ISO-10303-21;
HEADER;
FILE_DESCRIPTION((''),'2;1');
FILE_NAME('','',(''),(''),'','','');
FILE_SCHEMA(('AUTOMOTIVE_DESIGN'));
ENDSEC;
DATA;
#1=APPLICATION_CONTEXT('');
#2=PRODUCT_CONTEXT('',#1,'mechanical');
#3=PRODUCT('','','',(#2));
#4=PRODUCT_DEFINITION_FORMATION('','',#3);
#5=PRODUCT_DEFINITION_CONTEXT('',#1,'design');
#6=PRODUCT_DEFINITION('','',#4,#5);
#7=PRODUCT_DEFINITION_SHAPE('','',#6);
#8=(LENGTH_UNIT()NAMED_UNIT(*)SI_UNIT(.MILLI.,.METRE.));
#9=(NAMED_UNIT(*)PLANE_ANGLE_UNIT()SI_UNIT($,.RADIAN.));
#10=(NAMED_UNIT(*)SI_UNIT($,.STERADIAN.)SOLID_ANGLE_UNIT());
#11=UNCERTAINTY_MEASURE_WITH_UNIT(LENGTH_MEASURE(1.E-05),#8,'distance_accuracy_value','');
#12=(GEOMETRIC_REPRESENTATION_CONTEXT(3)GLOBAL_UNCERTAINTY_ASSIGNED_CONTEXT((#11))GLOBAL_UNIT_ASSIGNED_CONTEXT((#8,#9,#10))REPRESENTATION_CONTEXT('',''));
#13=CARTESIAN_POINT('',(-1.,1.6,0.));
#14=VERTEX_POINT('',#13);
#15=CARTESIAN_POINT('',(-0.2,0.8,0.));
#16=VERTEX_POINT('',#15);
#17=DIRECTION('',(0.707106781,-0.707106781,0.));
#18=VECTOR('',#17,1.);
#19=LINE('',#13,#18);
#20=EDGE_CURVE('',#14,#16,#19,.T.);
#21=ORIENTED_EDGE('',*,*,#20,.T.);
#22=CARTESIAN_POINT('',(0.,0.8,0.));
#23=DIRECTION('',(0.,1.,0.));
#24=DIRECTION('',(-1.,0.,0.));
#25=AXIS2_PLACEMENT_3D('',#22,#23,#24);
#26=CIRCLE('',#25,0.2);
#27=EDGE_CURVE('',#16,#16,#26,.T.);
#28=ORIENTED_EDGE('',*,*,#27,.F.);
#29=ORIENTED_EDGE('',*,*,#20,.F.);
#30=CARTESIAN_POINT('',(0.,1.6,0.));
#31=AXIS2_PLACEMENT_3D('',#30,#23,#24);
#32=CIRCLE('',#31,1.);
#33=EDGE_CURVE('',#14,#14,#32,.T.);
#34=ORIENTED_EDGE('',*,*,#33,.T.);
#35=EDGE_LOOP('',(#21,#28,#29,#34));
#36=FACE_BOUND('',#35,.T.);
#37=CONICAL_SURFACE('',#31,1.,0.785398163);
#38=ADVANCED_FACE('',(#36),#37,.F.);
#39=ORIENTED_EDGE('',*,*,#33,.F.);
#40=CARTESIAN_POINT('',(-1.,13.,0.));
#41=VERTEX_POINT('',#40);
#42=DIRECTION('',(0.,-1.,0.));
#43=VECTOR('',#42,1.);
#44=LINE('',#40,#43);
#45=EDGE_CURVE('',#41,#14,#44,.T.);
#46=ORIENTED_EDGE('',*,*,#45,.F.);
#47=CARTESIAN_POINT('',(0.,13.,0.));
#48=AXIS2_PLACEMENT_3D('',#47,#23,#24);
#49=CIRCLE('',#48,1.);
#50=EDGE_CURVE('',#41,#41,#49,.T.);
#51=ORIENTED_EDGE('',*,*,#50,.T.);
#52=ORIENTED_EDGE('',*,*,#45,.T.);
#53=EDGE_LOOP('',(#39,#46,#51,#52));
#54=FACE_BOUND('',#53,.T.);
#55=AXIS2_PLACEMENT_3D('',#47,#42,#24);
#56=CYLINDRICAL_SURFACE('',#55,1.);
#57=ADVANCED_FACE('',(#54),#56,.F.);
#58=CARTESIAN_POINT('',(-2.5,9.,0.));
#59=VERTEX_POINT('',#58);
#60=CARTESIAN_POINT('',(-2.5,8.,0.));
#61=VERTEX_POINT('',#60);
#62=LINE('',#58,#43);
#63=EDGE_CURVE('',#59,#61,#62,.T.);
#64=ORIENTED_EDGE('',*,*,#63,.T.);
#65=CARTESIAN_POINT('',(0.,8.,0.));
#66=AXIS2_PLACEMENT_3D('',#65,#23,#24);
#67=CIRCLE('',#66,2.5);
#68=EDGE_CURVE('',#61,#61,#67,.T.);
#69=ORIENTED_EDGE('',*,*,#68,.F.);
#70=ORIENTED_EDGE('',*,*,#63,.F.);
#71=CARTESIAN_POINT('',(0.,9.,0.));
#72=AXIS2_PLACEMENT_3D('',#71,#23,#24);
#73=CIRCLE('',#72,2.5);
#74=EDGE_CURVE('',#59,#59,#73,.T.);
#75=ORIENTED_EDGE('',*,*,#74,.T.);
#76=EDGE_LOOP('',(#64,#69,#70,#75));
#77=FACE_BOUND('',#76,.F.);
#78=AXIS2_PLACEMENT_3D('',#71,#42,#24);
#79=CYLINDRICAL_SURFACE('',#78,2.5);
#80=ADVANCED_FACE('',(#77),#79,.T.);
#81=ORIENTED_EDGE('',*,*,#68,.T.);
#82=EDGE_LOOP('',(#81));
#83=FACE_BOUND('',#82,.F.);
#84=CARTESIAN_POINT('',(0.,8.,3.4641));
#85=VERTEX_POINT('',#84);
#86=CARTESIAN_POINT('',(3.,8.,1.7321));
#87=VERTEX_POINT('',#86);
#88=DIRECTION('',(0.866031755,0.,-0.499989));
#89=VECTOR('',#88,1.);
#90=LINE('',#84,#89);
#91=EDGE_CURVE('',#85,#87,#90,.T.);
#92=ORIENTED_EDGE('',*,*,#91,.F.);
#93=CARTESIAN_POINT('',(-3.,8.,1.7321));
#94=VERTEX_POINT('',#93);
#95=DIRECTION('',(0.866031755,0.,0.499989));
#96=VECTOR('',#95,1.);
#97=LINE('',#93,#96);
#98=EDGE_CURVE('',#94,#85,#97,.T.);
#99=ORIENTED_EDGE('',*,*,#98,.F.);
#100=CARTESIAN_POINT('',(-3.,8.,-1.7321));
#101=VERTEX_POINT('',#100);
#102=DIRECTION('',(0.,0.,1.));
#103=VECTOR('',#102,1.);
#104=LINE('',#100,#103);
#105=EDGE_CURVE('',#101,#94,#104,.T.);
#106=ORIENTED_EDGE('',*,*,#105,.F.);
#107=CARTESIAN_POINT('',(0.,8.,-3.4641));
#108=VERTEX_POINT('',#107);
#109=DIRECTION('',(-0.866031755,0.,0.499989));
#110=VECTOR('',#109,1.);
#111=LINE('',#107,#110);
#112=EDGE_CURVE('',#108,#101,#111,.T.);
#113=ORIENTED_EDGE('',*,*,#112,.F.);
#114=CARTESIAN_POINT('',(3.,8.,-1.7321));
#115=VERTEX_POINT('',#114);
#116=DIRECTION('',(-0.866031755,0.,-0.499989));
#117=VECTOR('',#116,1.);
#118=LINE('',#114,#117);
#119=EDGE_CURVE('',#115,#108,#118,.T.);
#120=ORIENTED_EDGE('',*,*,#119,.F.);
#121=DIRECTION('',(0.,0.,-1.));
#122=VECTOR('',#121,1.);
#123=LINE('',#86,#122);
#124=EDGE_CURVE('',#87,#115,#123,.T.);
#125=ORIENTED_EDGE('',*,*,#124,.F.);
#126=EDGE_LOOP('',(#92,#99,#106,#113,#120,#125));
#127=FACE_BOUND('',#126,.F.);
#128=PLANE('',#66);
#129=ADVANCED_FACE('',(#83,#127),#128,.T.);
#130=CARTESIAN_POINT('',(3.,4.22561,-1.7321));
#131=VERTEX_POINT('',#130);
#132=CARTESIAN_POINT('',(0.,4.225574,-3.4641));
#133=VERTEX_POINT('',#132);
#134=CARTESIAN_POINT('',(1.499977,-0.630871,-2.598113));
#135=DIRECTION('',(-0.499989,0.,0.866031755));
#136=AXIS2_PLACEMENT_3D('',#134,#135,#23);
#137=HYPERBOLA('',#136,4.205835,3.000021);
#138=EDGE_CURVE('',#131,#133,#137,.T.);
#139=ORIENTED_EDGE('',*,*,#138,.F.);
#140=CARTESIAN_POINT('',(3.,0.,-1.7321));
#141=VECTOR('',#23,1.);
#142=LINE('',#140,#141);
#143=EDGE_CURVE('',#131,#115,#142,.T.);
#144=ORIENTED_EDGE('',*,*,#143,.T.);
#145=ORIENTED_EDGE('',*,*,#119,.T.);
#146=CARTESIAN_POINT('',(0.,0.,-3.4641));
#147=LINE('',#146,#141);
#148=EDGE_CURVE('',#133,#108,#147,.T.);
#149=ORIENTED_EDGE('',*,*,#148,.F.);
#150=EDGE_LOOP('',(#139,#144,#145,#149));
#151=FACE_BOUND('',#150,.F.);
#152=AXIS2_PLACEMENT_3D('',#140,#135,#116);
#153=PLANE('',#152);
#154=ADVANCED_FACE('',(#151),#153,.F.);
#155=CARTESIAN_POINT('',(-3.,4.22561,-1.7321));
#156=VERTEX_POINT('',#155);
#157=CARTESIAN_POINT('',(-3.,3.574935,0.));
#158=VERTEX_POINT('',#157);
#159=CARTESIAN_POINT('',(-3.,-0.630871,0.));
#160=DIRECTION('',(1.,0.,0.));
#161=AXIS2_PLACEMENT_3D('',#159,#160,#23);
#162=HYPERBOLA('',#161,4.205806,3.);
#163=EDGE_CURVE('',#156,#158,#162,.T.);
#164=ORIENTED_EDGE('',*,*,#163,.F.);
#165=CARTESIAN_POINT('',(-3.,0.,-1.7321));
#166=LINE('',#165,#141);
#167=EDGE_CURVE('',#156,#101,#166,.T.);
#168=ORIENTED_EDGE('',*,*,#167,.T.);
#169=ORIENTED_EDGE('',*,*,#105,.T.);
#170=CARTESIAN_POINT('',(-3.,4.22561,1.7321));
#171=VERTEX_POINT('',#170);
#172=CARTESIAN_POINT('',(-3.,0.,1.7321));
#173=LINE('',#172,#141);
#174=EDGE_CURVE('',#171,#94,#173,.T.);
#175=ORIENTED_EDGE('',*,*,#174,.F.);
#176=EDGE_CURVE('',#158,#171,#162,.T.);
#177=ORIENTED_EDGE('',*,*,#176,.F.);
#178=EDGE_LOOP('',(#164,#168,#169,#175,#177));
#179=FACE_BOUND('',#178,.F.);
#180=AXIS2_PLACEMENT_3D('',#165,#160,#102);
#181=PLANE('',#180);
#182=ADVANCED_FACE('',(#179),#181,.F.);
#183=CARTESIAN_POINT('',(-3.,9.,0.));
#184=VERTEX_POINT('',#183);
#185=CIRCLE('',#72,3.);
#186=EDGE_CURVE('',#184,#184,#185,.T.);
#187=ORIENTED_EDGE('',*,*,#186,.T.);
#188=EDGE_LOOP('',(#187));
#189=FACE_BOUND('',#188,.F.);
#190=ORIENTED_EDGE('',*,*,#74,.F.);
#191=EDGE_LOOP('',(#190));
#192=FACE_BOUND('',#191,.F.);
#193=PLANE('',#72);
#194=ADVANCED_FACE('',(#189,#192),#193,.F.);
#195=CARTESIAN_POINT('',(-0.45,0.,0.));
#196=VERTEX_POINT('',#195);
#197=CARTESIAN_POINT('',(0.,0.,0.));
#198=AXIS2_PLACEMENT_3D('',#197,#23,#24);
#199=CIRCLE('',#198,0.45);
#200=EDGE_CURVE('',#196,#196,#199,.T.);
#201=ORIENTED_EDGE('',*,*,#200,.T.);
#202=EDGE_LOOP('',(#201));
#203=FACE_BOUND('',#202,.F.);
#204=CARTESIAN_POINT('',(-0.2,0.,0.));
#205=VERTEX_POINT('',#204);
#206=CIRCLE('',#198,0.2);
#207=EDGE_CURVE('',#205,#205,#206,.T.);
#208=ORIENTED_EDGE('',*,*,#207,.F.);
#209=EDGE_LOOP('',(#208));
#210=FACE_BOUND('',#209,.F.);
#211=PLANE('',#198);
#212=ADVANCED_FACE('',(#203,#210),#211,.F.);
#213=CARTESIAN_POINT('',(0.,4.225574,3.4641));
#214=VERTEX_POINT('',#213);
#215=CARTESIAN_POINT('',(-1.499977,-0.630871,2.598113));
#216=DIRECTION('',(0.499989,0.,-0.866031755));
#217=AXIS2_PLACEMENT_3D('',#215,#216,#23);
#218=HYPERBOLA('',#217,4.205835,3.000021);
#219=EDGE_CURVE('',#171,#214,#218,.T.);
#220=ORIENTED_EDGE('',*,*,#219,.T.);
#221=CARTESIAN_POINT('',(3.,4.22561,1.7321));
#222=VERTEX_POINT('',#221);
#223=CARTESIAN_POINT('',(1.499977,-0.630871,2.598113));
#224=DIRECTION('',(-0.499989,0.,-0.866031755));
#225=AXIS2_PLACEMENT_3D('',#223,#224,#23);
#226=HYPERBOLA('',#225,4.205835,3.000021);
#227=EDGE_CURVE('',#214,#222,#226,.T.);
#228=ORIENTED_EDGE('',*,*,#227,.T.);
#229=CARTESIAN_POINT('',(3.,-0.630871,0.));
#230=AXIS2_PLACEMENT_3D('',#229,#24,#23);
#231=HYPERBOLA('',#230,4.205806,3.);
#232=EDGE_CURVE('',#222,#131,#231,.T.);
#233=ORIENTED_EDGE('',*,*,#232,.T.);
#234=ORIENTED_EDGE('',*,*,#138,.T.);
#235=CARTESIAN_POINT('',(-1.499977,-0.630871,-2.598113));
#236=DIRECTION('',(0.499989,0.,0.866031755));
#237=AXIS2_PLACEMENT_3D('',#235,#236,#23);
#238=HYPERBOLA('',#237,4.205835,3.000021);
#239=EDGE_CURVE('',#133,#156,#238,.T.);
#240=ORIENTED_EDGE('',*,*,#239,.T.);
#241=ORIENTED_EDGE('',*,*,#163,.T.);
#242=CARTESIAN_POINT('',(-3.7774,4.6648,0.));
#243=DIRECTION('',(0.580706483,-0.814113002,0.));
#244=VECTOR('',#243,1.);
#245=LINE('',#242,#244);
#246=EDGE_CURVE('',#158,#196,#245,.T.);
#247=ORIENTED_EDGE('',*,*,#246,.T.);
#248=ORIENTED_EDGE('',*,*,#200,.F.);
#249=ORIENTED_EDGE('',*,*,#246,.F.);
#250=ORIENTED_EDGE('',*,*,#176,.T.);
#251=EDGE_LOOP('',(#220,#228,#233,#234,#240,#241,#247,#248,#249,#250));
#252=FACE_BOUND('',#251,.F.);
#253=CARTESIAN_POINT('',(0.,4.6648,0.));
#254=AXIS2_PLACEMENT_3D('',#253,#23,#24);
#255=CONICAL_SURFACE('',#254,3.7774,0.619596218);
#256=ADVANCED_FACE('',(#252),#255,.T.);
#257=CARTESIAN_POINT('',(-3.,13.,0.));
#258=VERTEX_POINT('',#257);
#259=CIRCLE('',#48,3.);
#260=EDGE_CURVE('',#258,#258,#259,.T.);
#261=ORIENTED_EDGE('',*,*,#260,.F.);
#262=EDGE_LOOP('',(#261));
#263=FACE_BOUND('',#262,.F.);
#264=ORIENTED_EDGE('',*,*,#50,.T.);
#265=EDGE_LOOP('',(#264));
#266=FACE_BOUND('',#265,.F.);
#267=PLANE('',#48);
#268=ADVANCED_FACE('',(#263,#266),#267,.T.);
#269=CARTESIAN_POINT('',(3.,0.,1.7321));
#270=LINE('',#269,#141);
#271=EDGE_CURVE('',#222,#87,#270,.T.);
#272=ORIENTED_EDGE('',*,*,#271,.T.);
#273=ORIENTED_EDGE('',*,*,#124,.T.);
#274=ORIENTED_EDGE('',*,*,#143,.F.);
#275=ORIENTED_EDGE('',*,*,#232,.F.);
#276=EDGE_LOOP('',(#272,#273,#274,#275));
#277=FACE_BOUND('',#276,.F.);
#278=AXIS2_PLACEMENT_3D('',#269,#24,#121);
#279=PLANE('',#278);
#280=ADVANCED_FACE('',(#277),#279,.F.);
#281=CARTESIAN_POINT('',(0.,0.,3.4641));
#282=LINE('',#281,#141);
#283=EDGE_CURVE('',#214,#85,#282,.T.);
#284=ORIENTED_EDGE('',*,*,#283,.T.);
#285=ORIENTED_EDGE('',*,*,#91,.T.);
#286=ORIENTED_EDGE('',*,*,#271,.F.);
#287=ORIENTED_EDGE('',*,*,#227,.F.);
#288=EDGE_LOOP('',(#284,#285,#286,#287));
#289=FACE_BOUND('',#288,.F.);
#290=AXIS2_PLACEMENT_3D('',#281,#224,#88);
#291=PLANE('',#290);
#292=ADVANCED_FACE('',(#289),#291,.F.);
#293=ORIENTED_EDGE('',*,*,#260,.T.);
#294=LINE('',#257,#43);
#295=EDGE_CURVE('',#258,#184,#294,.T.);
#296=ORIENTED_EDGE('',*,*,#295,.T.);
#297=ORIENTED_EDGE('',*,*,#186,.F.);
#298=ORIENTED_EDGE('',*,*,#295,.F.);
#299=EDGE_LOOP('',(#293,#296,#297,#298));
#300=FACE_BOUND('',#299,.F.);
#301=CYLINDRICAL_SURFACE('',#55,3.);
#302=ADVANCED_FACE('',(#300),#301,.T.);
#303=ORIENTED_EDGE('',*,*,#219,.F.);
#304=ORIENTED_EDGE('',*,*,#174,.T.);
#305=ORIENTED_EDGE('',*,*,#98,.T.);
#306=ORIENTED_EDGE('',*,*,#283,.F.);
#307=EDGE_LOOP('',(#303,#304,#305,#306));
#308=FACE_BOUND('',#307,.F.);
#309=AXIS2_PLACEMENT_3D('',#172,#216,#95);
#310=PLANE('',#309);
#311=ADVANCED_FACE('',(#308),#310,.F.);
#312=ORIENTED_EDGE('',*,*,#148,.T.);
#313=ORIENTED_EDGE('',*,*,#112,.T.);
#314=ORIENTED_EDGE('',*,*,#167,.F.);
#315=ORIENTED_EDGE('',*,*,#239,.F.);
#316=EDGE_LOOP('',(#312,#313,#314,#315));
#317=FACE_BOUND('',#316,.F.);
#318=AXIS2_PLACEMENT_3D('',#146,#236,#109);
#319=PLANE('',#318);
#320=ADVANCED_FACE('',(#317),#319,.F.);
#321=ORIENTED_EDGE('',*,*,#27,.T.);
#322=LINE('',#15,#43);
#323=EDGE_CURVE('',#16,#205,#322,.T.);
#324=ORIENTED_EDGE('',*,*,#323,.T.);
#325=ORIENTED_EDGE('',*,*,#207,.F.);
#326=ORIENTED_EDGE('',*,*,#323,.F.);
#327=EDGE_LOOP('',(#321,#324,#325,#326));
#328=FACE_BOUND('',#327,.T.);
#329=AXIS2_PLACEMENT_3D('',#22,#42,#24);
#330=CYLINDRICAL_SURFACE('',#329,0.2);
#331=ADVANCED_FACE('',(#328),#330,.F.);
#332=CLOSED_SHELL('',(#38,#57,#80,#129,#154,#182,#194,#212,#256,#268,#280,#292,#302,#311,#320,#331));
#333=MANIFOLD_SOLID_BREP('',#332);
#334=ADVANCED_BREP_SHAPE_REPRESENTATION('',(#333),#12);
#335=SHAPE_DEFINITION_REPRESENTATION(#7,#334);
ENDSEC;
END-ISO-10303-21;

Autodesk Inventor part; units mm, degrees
ref_plane "YZ Plane" through (0, 0, 0) normal (1, 0, 0) x (0, 1, 0)
ref_plane "XZ Plane" through (0, 0, 0) normal (0, 1, 0) x (-1, 0, 0)
ref_plane "XY Plane" through (0, 0, 0) normal (0, 0, 1) x (1, 0, 0)
sketch "Sketch1" plane through (0, 0, 0) normal (0, 0, 1) x (1, 0, 0)
  line L0 (-3, 13) -> (-3, 9)
  line L1 (-3, 9) -> (-2.5, 9)
  line L2 (-2.5, 9) -> (-2.5, 8)
  line L3 (-0.45, 0) -> (0, 0)
  line L4 (0, 0) -> (0, 13) construction
  line L5 (-1, 13) -> (-1, 1.6)
  line L6 (-1, 1.6) -> (-0.2, 0.8)
  line L7 (-0.2, 0.8) -> (-0.2, 0)
  line L8 (-1, 13) -> (-3, 13)
  line L9 (-3.7774, 8) -> (-3.7774, 4.6648)
  line L10 (-3.7774, 4.6648) -> (-0.45, 0)
  line L11 (-2.5, 8) -> (-3.7774, 8)
  dimension "d0" = 3
  dimension "d1" = 13
  dimension "d2" = 9
  dimension "d5" = 0.45
  dimension "d6" = 2.5
  dimension "d7" = 45
  dimension "d8" = 1
  dimension "d9" = 0.2
  dimension "d10" = 0.8
  dimension "d12" = 3.5774
  dimension "d13" = 8
  dimension "d14" = 35.5
revolve "Revolution1" add sketch "Sketch1" angle 360 about axis through (0, 0, 0) along (0, 1, 0)
sketch "Sketch2" plane through (0, 0, 0) normal (0, -1, 0) x (1, 0, 0)
  line L0 (3, -1.7321) -> (0, -3.4641)
  line L1 (0, -3.4641) -> (-3, -1.7321)
  line L2 (-3, -1.7321) -> (-3, 1.7321)
  line L3 (-3, 1.7321) -> (0, 3.4641)
  line L4 (0, 3.4641) -> (3, 1.7321)
  line L5 (3, 1.7321) -> (3, -1.7321)
  circle A0 centre (0, 0) radius 5
  circle A1 centre (0, 0) radius 0.45 construction
  point P0 (0, 0)
  dimension "d15" = 6
  dimension "d17" = 10
extrude "Extrusion1" cut sketch "Sketch2" against normal blind 8
properties part number "ENDER 3 NOZZLE" material "Brass, Soft Yellow"
